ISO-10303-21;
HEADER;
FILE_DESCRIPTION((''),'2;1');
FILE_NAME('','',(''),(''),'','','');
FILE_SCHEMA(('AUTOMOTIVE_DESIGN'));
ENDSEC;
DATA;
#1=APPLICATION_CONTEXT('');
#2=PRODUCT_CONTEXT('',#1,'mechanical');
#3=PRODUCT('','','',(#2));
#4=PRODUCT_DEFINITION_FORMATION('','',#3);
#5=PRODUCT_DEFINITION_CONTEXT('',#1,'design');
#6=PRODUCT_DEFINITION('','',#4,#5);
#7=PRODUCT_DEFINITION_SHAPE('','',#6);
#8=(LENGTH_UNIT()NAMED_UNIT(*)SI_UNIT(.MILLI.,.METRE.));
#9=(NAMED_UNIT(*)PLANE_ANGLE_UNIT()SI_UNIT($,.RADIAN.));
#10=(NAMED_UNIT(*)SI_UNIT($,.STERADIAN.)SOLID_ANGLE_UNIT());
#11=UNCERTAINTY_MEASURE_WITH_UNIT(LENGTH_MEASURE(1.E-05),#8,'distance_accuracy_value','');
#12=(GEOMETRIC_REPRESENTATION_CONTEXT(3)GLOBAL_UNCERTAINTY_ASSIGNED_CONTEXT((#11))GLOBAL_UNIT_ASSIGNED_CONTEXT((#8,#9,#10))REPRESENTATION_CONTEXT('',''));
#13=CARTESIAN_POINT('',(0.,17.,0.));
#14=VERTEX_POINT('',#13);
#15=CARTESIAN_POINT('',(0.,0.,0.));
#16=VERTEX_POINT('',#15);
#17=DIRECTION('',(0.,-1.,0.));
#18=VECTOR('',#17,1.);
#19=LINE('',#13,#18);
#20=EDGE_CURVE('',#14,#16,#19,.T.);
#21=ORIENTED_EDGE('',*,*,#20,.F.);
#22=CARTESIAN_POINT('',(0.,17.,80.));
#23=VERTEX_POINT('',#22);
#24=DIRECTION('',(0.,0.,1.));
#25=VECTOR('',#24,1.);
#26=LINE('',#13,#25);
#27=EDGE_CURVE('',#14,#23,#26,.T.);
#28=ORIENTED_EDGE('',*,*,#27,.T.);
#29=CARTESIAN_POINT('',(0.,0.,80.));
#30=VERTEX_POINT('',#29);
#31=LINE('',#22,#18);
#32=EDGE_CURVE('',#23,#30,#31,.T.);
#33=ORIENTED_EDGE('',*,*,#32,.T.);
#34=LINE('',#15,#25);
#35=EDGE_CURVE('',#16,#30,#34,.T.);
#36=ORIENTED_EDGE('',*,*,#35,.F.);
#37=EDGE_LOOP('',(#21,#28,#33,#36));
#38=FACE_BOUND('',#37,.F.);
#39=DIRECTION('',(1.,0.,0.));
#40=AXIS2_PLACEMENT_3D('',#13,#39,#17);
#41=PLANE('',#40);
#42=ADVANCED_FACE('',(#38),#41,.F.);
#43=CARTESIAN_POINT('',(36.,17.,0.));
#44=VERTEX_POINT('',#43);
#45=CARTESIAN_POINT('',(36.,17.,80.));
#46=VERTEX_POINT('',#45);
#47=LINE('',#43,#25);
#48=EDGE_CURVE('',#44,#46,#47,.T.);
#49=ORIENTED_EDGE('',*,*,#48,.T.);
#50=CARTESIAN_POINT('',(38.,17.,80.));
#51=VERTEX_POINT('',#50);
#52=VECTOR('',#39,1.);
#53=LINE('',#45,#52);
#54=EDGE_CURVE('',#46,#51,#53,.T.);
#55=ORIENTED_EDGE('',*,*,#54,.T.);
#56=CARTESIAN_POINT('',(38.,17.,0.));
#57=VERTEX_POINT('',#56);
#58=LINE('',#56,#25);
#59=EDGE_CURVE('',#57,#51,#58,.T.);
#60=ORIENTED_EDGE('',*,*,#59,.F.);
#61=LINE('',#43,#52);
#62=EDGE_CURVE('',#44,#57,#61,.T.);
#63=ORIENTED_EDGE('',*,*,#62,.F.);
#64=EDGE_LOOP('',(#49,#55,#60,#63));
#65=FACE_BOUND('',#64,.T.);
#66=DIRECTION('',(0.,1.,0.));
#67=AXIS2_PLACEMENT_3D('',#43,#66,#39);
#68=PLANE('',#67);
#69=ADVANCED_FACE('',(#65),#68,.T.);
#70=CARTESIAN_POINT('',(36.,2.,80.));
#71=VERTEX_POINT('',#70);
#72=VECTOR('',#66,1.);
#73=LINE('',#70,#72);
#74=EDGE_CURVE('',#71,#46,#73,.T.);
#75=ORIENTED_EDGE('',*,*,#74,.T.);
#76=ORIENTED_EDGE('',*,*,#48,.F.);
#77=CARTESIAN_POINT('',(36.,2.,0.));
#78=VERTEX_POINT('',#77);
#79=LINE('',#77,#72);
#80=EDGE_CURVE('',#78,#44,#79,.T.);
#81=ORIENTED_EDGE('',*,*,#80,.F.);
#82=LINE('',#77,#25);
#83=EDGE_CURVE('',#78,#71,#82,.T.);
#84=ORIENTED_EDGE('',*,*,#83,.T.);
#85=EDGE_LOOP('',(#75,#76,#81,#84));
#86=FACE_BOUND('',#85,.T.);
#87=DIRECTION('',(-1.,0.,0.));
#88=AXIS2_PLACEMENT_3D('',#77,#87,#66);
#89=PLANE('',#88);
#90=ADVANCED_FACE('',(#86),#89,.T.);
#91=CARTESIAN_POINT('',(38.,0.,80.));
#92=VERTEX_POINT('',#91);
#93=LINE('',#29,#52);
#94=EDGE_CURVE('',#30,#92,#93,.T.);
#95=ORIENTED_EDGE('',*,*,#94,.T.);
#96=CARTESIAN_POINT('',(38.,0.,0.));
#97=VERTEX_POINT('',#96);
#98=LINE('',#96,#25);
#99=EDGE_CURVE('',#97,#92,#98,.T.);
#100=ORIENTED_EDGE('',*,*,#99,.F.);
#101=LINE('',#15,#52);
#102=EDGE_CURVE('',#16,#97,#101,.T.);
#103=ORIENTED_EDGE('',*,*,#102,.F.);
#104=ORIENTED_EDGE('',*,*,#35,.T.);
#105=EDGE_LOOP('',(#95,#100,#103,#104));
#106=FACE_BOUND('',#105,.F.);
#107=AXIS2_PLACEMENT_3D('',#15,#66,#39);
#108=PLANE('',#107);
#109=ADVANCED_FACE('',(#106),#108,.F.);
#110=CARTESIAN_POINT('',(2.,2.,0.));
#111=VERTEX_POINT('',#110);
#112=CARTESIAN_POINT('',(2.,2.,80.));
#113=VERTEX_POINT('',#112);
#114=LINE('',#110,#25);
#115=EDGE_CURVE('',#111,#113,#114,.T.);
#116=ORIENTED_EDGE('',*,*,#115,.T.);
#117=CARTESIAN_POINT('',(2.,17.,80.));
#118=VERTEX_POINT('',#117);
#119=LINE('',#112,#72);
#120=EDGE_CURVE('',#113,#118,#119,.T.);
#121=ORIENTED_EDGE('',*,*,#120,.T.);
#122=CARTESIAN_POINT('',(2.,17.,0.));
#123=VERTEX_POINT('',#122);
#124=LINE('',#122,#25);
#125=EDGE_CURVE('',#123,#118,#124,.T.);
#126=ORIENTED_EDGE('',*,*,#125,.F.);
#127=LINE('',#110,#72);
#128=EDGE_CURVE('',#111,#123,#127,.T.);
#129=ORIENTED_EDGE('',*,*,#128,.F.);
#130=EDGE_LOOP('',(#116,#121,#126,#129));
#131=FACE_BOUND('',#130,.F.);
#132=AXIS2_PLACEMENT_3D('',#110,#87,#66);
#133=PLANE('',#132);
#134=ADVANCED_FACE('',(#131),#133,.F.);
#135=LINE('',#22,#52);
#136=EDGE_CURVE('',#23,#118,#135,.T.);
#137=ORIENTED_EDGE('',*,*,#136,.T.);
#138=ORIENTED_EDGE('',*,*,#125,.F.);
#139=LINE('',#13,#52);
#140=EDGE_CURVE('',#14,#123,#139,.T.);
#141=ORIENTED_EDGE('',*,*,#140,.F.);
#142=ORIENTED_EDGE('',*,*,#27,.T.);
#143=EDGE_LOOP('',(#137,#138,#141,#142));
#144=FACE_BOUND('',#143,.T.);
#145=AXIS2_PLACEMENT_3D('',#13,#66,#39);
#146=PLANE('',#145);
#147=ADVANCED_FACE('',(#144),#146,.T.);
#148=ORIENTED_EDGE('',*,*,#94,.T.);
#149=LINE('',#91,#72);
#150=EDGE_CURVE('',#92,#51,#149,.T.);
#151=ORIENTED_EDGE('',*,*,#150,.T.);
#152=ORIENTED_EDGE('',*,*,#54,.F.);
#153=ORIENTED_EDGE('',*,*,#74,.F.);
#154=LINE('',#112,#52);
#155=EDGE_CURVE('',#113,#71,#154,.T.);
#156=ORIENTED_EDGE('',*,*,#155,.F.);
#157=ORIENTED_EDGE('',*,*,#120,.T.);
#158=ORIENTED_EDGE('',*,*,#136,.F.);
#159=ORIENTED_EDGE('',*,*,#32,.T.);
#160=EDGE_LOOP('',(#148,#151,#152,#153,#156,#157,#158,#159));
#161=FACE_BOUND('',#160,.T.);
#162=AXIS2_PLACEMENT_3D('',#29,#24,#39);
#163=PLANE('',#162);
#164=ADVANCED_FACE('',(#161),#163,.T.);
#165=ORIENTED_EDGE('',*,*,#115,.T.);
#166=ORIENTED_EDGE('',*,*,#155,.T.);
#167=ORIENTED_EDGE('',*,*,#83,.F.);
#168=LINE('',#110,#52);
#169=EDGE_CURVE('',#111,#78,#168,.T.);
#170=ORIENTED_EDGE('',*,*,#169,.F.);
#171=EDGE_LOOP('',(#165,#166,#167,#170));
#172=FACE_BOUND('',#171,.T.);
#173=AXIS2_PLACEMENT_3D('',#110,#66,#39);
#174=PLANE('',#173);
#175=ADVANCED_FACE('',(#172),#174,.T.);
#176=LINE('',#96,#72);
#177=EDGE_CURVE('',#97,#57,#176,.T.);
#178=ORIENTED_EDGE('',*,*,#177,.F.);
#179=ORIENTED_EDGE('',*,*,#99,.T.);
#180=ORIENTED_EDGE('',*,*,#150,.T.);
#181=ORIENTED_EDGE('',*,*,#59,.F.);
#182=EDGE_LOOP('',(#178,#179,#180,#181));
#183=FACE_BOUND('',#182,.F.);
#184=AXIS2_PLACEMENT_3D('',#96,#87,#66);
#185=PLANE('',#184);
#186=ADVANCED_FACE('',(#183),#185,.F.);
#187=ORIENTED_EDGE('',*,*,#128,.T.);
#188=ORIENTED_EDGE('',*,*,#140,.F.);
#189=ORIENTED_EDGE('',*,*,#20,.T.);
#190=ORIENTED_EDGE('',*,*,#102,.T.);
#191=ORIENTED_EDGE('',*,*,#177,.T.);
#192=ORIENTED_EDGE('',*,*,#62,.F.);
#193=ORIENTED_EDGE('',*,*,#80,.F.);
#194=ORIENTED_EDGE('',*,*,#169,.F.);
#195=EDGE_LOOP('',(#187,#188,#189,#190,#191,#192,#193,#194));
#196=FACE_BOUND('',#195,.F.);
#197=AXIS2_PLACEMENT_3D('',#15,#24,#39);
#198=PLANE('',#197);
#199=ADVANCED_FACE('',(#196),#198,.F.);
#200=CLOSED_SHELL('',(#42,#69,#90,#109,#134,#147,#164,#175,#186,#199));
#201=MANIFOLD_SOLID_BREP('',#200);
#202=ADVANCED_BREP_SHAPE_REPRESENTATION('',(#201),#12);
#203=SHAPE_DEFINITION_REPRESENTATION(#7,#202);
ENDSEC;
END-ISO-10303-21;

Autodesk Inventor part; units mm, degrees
ref_plane "YZ Plane" through (0, 0, 0) normal (1, 0, 0) x (0, 1, 0)
ref_plane "XZ Plane" through (0, 0, 0) normal (0, 1, 0) x (-1, 0, 0)
ref_plane "XY Plane" through (0, 0, 0) normal (0, 0, 1) x (1, 0, 0)
sketch "Sketch1" plane through (0, 0, 0) normal (0, 0, 1) x (1, 0, 0)
  line L0 (2, 2) -> (36, 2)
  line L1 (36, 2) -> (36, 17)
  line L2 (2, 2) -> (2, 17)
  line L3 (0, 17) -> (0, 0)
  line L4 (0, 0) -> (38, 0)
  line L5 (38, 0) -> (38, 17)
  line L6 (0, 17) -> (2, 17)
  line L7 (36, 17) -> (38, 17)
  dimension "d0" = 34
  dimension "d1" = 15
  dimension "d2" = 15
  dimension "d3" = 2
extrude "Extrusion1" add sketch "Sketch1" along normal blind 80
properties part number "slide2"
